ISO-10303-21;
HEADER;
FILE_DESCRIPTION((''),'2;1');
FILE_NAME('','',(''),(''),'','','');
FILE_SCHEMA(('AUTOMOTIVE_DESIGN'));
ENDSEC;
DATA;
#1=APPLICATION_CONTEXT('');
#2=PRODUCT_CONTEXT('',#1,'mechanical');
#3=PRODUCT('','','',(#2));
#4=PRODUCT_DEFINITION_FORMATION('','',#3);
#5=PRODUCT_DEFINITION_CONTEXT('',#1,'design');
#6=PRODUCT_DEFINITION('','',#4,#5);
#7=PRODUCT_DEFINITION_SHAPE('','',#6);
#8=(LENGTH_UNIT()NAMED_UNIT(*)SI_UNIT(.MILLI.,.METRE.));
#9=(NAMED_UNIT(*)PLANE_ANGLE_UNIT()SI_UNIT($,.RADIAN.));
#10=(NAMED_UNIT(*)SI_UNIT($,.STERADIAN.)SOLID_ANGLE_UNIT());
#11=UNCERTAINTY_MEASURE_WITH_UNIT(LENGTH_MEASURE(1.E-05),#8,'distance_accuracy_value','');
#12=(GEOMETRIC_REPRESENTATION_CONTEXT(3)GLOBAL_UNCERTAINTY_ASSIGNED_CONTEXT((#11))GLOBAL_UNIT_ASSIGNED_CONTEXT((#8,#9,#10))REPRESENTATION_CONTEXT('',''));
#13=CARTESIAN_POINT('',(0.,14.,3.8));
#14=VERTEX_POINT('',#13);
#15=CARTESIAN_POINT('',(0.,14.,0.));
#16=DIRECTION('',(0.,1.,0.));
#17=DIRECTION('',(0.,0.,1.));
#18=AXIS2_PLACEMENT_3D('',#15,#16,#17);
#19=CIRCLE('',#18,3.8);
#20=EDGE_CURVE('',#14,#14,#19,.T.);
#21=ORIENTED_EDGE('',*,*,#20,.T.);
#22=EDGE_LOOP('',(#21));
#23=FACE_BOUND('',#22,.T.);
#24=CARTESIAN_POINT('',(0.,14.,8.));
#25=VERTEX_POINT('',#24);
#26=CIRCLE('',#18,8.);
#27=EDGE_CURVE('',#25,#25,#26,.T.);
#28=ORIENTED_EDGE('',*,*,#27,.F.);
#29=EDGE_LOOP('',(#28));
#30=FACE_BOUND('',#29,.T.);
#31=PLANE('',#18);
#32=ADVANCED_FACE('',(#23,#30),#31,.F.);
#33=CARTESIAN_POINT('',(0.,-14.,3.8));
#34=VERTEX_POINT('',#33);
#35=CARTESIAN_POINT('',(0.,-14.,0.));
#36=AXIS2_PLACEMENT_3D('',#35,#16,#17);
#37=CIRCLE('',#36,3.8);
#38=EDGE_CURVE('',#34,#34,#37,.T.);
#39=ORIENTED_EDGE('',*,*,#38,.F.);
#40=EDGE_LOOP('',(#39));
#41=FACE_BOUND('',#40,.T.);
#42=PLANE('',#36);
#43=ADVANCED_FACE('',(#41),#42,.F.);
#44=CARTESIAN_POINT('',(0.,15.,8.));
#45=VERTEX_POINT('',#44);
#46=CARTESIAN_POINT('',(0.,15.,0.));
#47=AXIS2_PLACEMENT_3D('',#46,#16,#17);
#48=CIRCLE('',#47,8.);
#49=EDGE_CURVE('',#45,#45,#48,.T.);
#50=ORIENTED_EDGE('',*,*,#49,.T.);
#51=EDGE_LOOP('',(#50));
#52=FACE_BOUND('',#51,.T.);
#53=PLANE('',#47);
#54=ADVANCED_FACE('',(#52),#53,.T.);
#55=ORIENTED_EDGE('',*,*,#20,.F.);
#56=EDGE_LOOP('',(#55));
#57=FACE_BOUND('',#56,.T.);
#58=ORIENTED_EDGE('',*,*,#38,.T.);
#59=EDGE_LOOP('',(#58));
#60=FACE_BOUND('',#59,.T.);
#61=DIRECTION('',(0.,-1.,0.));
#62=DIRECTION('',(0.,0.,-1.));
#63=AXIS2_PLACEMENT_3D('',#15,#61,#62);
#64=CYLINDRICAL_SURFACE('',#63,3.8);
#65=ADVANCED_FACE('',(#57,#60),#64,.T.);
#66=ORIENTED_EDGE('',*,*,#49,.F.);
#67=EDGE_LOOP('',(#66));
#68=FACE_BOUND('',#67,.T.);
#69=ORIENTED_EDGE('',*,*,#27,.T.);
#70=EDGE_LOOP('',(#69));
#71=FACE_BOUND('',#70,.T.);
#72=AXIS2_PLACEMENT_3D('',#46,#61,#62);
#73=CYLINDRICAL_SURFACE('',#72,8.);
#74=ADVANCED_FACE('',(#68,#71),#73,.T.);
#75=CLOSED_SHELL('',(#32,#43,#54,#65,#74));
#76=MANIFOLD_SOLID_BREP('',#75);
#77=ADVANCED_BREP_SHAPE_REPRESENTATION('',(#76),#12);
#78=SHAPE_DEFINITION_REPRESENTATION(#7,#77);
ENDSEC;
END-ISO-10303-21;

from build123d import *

# Parameters (mm, degrees)
CROQUIS1_R              = 3.8
SALIENTE_EXTRUIR1_DEPTH = 14
CROQUIS2_R              = 8
SALIENTE_EXTRUIR2_DEPTH = 1


with BuildPart() as part:
    # Croquis1 → Saliente-Extruir1 (new body, symmetric)
    with BuildSketch(Plane(origin=(0, 0, 0), x_dir=(1, 0, 0), z_dir=(0, 1, 0))):
        Circle(CROQUIS1_R)
    extrude(amount=SALIENTE_EXTRUIR1_DEPTH, both=True)

    # Croquis2 → Saliente-Extruir2 (add)
    with BuildSketch(Plane(origin=(0, 14, 0), x_dir=(1, 0, 0), z_dir=(0, 1, 0))):
        Circle(CROQUIS2_R)
    extrude(amount=SALIENTE_EXTRUIR2_DEPTH)


solid = part.part
